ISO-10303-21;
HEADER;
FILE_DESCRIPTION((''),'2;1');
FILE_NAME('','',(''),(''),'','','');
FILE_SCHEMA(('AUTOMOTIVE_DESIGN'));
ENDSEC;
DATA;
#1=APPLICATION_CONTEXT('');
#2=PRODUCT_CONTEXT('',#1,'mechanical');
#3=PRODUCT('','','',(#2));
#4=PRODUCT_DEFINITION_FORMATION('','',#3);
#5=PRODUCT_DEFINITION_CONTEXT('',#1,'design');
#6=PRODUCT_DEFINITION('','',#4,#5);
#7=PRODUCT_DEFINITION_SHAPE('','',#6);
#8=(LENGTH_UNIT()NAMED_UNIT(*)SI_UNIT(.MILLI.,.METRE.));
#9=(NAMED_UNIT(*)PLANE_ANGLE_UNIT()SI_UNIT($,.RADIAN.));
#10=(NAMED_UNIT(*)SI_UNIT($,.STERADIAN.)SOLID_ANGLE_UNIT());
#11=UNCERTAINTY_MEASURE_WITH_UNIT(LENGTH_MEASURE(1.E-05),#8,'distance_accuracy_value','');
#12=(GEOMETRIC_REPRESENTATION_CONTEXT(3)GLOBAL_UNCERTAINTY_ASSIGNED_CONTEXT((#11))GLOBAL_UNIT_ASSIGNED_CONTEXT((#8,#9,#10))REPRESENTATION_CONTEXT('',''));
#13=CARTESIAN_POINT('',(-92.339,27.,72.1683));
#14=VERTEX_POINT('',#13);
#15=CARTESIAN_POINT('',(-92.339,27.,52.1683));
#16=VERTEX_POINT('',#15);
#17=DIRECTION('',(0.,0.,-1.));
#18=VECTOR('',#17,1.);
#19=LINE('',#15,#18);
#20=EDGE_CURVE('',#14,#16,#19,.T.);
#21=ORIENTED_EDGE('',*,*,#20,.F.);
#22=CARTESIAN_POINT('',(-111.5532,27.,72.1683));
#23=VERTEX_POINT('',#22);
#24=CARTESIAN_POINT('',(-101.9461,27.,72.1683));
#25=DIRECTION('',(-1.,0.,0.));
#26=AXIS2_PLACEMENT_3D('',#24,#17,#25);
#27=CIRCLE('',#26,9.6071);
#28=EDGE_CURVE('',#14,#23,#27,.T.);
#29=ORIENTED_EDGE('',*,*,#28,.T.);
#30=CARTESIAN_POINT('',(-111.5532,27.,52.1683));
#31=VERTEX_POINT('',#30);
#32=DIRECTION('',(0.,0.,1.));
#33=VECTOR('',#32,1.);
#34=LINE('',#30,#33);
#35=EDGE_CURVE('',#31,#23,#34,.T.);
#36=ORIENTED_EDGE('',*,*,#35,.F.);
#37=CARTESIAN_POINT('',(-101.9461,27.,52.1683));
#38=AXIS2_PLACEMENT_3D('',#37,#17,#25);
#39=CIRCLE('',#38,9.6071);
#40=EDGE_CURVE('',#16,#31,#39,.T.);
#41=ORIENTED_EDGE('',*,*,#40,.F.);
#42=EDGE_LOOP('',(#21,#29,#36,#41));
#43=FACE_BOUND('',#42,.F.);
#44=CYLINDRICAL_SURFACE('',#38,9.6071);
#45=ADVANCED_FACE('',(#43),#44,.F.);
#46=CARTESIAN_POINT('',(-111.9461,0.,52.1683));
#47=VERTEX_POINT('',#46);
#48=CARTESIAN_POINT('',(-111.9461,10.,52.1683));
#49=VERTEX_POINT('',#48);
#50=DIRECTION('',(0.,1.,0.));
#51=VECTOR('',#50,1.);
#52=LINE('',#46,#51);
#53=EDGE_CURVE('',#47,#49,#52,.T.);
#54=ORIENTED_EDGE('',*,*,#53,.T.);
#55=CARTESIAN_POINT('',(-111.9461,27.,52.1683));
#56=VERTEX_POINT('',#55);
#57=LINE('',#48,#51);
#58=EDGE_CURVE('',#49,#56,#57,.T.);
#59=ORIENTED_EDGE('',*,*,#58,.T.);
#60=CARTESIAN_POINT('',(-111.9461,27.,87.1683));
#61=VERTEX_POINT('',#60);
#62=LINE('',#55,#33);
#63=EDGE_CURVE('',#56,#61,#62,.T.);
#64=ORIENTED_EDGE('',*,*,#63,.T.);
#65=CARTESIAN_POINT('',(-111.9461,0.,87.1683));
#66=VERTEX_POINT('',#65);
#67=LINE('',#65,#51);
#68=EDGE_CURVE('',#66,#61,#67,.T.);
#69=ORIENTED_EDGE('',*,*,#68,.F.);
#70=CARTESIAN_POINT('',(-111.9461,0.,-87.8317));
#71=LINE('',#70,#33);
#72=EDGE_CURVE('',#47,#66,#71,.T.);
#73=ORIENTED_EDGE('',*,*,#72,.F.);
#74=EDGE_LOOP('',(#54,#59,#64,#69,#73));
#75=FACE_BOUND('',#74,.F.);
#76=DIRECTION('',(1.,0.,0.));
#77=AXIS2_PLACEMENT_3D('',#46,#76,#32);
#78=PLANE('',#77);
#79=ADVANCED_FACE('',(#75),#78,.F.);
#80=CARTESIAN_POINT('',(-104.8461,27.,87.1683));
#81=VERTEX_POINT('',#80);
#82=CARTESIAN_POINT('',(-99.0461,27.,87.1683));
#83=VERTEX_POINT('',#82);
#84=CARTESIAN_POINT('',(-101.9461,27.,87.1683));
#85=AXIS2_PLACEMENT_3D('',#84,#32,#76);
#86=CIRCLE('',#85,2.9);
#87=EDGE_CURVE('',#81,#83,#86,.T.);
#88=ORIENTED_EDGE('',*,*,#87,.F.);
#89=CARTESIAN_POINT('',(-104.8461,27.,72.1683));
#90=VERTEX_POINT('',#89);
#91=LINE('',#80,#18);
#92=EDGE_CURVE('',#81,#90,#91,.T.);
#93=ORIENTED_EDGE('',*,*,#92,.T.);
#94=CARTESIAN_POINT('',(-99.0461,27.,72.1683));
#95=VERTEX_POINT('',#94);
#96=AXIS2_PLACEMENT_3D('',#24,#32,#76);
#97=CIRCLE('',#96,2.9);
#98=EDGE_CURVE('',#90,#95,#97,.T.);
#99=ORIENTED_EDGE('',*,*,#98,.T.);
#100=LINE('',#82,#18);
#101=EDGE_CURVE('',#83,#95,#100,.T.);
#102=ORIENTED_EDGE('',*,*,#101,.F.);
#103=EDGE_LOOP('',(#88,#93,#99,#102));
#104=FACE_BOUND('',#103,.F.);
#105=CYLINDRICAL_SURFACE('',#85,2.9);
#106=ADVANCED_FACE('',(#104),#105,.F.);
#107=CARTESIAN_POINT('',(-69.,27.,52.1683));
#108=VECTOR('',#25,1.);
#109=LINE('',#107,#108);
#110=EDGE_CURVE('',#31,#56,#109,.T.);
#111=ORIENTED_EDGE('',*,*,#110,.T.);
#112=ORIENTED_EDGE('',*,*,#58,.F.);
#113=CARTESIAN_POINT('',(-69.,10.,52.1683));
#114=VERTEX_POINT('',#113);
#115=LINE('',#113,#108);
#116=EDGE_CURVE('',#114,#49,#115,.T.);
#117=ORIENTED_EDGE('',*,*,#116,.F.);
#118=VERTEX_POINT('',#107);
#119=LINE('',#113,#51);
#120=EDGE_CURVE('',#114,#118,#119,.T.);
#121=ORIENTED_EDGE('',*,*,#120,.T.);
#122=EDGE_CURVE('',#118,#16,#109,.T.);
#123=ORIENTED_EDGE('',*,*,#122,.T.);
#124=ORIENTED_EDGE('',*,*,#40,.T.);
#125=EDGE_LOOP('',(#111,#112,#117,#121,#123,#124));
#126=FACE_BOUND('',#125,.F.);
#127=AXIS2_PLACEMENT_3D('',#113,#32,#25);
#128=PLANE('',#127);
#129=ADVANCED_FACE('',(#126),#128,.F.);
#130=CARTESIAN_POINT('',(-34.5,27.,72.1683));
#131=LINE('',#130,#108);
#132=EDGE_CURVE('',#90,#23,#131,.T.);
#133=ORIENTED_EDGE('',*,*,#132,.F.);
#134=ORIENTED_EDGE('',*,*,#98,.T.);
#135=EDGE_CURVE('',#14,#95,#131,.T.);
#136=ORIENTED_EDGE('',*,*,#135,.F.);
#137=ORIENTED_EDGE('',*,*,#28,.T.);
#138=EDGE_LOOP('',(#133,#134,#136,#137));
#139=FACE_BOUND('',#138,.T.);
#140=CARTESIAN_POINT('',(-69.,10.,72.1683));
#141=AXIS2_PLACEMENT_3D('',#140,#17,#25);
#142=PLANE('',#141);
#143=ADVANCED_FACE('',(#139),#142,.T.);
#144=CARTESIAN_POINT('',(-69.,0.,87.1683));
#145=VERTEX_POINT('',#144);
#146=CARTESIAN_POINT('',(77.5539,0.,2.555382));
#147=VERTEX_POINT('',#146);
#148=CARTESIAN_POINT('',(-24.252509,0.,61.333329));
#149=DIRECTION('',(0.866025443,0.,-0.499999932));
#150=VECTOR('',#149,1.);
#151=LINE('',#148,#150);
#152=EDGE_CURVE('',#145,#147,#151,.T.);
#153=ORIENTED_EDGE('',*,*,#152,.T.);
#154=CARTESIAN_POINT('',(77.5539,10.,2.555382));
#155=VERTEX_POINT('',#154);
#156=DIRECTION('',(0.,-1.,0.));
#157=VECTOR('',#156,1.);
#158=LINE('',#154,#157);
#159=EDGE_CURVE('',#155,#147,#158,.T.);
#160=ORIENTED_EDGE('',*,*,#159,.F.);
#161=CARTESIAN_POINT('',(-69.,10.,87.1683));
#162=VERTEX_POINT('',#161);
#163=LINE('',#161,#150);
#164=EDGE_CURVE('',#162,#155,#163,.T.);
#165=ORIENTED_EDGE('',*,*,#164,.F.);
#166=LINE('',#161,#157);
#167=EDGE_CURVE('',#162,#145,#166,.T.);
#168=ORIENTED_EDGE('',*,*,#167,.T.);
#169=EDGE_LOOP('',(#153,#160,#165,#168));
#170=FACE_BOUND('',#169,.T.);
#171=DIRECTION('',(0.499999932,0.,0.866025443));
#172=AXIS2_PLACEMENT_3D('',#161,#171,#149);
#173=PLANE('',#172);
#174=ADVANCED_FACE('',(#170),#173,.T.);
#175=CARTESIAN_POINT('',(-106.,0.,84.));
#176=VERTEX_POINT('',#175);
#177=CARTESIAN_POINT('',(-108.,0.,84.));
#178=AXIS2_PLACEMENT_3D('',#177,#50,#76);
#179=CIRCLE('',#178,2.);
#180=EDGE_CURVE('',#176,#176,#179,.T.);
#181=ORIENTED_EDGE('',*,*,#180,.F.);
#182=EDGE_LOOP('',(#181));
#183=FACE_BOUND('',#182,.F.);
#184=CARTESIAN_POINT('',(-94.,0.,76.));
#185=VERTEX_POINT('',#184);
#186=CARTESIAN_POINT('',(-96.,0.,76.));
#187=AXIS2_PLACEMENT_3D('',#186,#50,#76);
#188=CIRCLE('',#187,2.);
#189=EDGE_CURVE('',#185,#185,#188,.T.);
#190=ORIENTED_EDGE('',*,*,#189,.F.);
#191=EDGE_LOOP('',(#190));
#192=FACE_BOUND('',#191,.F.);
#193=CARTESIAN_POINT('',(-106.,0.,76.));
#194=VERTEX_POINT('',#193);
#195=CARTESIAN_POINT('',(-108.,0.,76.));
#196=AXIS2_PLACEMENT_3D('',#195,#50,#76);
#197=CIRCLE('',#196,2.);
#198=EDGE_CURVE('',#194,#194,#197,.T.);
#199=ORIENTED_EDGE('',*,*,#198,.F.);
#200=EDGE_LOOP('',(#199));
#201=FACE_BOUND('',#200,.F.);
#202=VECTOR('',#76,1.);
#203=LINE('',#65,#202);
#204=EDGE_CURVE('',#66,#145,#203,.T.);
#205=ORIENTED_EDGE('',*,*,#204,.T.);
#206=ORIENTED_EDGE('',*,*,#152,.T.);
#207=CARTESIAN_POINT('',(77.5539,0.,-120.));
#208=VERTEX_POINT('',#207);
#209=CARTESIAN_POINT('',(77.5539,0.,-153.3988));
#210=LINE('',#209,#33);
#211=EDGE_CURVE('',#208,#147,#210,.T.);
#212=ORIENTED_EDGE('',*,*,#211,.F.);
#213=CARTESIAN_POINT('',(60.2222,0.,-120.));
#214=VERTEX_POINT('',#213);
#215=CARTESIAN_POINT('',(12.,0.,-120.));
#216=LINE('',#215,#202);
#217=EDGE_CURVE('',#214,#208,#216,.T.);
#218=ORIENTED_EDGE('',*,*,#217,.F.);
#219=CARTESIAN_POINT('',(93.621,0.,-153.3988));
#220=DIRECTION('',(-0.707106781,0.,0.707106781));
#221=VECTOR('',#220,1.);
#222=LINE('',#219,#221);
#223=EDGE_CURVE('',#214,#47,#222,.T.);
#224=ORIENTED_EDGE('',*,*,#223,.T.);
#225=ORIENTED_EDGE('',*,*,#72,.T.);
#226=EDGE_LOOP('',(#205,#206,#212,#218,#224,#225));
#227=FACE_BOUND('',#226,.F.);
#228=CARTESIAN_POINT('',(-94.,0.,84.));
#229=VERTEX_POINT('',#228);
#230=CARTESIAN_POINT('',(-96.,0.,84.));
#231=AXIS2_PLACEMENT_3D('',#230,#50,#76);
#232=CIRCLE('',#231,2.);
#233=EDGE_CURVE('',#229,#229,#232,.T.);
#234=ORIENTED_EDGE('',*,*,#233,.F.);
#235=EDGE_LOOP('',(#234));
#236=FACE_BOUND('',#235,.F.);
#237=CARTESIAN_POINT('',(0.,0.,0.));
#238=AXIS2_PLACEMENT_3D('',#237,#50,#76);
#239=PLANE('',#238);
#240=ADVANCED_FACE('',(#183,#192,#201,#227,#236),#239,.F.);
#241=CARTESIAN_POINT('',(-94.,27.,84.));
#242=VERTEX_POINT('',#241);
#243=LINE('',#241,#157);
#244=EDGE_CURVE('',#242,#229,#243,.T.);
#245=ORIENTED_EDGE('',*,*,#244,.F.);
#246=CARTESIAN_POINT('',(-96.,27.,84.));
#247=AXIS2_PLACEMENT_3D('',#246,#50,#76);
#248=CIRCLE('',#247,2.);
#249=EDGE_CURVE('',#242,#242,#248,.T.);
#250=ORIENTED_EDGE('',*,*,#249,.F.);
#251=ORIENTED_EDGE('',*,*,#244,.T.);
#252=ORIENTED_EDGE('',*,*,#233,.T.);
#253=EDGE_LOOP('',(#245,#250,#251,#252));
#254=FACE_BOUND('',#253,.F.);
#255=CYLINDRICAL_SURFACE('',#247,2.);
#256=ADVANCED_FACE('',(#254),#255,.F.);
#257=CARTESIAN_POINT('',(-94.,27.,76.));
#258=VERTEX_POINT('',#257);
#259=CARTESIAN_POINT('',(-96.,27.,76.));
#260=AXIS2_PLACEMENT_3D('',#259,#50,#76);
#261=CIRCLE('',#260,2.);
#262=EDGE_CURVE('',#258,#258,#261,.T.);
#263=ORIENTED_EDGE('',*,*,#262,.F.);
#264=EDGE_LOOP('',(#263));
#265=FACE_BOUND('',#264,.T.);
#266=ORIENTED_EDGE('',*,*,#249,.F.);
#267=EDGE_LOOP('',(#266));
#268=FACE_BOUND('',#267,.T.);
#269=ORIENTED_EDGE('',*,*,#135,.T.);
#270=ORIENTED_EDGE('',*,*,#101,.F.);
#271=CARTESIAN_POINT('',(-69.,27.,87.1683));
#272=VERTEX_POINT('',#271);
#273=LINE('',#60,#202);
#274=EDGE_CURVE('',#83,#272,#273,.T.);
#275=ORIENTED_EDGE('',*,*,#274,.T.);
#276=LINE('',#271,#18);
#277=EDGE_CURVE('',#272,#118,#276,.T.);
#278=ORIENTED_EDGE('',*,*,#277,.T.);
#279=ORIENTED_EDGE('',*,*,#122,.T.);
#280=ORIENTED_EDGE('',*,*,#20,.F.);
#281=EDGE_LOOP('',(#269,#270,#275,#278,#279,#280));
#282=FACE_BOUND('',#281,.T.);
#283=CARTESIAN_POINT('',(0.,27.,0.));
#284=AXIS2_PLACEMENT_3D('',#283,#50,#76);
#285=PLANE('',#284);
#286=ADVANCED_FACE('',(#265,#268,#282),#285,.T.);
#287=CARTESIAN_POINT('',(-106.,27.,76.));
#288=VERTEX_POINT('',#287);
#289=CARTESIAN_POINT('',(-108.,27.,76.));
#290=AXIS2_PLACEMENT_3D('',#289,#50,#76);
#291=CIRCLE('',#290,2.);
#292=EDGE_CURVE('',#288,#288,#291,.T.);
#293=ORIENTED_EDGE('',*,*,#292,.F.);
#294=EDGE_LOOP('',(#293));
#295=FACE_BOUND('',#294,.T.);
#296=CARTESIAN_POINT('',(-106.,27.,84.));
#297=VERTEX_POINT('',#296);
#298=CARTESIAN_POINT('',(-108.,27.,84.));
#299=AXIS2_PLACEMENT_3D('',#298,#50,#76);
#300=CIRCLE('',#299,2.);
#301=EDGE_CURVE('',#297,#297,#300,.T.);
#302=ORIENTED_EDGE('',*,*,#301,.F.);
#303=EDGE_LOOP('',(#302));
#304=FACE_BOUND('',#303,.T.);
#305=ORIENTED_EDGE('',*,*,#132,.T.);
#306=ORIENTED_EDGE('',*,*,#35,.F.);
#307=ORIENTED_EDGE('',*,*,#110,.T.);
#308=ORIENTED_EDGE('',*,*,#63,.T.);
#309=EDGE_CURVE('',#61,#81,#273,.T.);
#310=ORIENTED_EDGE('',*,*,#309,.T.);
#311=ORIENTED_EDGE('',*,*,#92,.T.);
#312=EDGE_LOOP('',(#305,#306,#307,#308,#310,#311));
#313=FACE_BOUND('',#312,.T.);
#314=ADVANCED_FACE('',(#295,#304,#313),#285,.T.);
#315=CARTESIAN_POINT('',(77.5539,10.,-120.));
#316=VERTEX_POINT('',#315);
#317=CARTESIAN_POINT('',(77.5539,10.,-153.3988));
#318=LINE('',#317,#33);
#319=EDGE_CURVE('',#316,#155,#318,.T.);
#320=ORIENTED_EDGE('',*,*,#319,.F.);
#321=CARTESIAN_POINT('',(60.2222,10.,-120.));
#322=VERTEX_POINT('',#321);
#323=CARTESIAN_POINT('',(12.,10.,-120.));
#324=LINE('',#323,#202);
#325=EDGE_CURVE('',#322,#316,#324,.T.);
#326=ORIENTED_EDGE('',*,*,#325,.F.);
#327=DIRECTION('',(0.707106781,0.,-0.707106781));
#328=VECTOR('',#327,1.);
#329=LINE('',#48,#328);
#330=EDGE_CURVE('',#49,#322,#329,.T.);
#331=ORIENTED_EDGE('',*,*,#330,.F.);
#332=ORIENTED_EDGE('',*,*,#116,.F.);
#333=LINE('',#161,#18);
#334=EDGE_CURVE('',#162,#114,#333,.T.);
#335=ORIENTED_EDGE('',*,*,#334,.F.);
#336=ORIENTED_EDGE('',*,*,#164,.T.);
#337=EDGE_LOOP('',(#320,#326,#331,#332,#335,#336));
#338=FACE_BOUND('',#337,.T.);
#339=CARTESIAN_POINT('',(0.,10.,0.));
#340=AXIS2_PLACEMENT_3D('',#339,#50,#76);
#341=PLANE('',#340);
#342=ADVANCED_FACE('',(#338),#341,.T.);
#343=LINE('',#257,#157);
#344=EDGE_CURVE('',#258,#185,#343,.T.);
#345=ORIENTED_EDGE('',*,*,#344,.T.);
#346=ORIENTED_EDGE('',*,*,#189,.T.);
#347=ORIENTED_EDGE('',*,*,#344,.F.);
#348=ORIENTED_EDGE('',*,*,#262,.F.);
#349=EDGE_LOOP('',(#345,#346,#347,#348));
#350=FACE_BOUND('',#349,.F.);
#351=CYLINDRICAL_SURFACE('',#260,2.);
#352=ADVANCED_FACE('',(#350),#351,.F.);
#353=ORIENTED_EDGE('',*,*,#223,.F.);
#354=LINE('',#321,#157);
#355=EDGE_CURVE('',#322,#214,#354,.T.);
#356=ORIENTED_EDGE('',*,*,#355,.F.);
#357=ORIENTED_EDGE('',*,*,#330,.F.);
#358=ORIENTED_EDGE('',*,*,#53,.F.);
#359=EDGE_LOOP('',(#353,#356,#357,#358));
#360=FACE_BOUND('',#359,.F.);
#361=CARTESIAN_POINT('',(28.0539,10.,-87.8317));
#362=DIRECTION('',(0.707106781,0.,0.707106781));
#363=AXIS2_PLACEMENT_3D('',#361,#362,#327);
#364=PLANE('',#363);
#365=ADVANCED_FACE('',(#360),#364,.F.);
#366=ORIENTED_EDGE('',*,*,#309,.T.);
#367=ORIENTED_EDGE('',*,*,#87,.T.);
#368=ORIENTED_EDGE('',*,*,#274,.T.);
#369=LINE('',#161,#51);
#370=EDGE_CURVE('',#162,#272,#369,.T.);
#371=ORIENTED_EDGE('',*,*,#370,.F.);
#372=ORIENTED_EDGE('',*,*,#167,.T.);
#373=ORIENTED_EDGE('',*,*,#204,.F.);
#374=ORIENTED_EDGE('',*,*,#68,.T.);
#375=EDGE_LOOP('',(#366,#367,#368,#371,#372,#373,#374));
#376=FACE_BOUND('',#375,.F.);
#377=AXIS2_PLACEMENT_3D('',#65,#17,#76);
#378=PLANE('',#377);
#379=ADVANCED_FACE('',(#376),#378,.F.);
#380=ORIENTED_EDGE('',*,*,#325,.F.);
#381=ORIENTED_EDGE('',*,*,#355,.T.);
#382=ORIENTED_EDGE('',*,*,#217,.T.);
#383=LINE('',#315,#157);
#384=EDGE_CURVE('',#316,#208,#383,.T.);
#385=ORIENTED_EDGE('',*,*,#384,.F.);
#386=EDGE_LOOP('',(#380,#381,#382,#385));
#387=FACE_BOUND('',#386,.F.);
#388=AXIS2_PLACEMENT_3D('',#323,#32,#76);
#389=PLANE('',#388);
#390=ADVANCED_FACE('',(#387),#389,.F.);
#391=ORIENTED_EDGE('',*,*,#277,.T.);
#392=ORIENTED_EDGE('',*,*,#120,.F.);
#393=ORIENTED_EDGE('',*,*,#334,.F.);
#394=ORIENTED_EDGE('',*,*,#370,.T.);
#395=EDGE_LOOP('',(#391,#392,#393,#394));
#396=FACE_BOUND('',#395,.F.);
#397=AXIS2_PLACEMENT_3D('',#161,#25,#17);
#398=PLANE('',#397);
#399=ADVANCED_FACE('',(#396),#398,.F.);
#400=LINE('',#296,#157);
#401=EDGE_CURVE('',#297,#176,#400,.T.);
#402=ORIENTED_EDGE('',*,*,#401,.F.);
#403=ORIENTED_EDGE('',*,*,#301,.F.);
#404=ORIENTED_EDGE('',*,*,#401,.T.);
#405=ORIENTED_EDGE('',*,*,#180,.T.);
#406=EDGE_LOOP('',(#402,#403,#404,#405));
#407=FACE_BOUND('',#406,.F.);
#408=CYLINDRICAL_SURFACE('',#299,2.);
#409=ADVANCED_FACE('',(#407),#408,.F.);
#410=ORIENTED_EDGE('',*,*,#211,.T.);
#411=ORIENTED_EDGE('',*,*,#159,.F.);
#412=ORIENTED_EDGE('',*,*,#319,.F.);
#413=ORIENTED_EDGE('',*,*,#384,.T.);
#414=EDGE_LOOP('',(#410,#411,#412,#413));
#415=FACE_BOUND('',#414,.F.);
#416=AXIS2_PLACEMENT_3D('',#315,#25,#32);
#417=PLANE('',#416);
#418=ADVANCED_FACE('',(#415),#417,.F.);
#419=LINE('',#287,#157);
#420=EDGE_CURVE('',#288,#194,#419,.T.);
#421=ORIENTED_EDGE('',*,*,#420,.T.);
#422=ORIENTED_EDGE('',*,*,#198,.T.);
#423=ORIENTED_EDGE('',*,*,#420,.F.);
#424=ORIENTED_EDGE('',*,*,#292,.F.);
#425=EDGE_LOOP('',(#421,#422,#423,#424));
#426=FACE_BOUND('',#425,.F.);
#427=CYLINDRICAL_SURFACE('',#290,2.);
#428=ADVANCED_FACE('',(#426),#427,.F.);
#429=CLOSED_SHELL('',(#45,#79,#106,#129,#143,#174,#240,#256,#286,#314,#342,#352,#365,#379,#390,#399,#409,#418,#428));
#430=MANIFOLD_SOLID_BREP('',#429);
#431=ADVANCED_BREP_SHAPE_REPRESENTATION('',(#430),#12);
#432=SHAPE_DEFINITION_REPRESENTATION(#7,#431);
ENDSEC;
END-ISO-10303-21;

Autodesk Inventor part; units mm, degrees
ref_plane "YZ Plane" through (0, 0, 0) normal (1, 0, 0) x (0, 1, 0)
ref_plane "XZ Plane" through (0, 0, 0) normal (0, 1, 0) x (-1, 0, 0)
ref_plane "XY Plane" through (0, 0, 0) normal (0, 0, 1) x (1, 0, 0)
sketch "Sketch1" plane through (0, 0, 0) normal (0, 1, 0) x (-1, 0, 0)
  line L0 (111.9461, 87.1683) -> (-118.0539, 87.1683)
  line L1 (-118.0539, 87.1683) -> (-118.0539, -87.8317)
  line L2 (-118.0539, -87.8317) -> (111.9461, -87.8317)
  line L3 (111.9461, -87.8317) -> (111.9461, 87.1683)
  line L4 (111.9461, 52.1683) -> (-28.0539, -87.8317)
  point P0 (0, 0)
  dimension "d0" = 175
  dimension "d1" = 230
  dimension "d2" = 45
  dimension "d3" = 35
extrude "Extrusion1" add sketch "Sketch1" along normal blind 10 contours L3 L4 L2 L1 L0
sketch "Sketch2" plane through (0, 10, 0) normal (0, 1, 0) x (1, 0, 0)
  line L0 (-111.9461, -52.1683) -> (-111.9461, -87.1683) projected
  line L1 (-111.9461, -87.1683) -> (-69, -87.1683)
  line L2 (-69, -87.1683) -> (-69, -52.1683)
  line L3 (-69, -52.1683) -> (-111.9461, -52.1683)
  line L4 (-111.9461, -52.1683) -> (-111.9461, -87.1683)
  point P0 (0, 0)
extrude "Extrusion2" add sketch "Sketch2" along normal blind 17
sketch "Sketch3" plane through (-111.9461, 0, 87.1683) normal (0, 0, 1) x (1, 0, 0)
  line L0 (0, 27) -> (42.9461, 27) projected
  circle A0 centre (10, 27) radius 2.9
  point P0 (111.9461, 0)
  point P1 (12.9, 27)
  point P2 (7.1, 27)
  dimension "d12" = 5.8
extrude "Extrusion3" cut sketch "Sketch3" against normal blind 40 contours L0 A0 picked at (10.9386, 26.7687)
sketch "Sketch4" plane through (-69, 10, 52.1683) normal (0, 0, -1) x (-1, 0, 0)
  arc A0 (30.0461, 17) -> (35.8461, 17) centre (32.9461, 17) ccw projected
  circle A1 centre (32.9461, 17) radius 9.6071
  point P0 (-69, -10)
extrude "Extrusion4" cut sketch "Sketch4" against normal blind 20
sketch "Sketch5" plane through (0, 27, 0) normal (0, 1, 0) x (1, 0, 0)
  circle A0 centre (-108, -84) radius 2
  circle A1 centre (-108, -76) radius 2
  circle A2 centre (-96, -76) radius 2
  circle A3 centre (-96, -84) radius 2
  point P0 (0, 0)
extrude "Extrusion5" cut sketch "Sketch5" against normal blind 40
sketch "Sketch6" plane through (0, 10, 0) normal (0, 1, 0) x (1, 0, 0)
  line L0 (-111.9461, -87.1683) -> (118.0539, -87.1683) projected
  line L1 (118.0539, -87.1683) -> (118.0539, 87.8317) projected
  line L2 (-99.0461, -87.1683) -> (-69, -87.1683) projected
  line L3 (-69, -87.1683) -> (118.0539, 20.8273)
  point P0 (0, 0)
  dimension "d18" = 30
extrude "Extrusion6" cut sketch "Sketch6" against normal blind 40
sketch "Sketch7" plane through (0, 10, 0) normal (0, 1, 0) x (1, 0, 0)
  line L0 (28.0539, 87.8317) -> (-111.9461, -52.1683) projected
  line L1 (28.0539, 87.8317) -> (93.621, 153.3988)
  line L2 (93.621, 153.3988) -> (118.0539, 153.3988)
  line L3 (118.0539, 20.8273) -> (118.0539, 87.8317) projected
  line L4 (118.0539, 153.3988) -> (118.0539, 87.8317)
  line L5 (28.0539, 87.8317) -> (118.0539, 87.8317)
  point P0 (0, 0)
extrude "Extrusion7" add sketch "Sketch7" against normal blind 10
sketch "Sketch8" plane through (0, 10, 0) normal (0, 1, 0) x (1, 0, 0)
  line L0 (118.0539, 20.8273) -> (118.0539, 153.3988) projected
  line L1 (118.0539, 153.3988) -> (77.5539, 153.3988)
  line L2 (77.5539, 153.3988) -> (77.5539, -53)
  line L3 (77.5539, -53) -> (118.0539, -53)
  line L4 (118.0539, -53) -> (118.0539, 153.3988)
  line L5 (77.5539, 153.3988) -> (12, 153.3988)
  line L6 (12, 153.3988) -> (12, 120)
  line L7 (12, 120) -> (77.5539, 120)
  line L8 (77.5539, 120) -> (77.5539, 153.3988)
  point P0 (0, 0)
  dimension "d23" = 40.5
extrude "Extrusion8" cut sketch "Sketch8" against normal blind 10
properties part number "Z_babka"
